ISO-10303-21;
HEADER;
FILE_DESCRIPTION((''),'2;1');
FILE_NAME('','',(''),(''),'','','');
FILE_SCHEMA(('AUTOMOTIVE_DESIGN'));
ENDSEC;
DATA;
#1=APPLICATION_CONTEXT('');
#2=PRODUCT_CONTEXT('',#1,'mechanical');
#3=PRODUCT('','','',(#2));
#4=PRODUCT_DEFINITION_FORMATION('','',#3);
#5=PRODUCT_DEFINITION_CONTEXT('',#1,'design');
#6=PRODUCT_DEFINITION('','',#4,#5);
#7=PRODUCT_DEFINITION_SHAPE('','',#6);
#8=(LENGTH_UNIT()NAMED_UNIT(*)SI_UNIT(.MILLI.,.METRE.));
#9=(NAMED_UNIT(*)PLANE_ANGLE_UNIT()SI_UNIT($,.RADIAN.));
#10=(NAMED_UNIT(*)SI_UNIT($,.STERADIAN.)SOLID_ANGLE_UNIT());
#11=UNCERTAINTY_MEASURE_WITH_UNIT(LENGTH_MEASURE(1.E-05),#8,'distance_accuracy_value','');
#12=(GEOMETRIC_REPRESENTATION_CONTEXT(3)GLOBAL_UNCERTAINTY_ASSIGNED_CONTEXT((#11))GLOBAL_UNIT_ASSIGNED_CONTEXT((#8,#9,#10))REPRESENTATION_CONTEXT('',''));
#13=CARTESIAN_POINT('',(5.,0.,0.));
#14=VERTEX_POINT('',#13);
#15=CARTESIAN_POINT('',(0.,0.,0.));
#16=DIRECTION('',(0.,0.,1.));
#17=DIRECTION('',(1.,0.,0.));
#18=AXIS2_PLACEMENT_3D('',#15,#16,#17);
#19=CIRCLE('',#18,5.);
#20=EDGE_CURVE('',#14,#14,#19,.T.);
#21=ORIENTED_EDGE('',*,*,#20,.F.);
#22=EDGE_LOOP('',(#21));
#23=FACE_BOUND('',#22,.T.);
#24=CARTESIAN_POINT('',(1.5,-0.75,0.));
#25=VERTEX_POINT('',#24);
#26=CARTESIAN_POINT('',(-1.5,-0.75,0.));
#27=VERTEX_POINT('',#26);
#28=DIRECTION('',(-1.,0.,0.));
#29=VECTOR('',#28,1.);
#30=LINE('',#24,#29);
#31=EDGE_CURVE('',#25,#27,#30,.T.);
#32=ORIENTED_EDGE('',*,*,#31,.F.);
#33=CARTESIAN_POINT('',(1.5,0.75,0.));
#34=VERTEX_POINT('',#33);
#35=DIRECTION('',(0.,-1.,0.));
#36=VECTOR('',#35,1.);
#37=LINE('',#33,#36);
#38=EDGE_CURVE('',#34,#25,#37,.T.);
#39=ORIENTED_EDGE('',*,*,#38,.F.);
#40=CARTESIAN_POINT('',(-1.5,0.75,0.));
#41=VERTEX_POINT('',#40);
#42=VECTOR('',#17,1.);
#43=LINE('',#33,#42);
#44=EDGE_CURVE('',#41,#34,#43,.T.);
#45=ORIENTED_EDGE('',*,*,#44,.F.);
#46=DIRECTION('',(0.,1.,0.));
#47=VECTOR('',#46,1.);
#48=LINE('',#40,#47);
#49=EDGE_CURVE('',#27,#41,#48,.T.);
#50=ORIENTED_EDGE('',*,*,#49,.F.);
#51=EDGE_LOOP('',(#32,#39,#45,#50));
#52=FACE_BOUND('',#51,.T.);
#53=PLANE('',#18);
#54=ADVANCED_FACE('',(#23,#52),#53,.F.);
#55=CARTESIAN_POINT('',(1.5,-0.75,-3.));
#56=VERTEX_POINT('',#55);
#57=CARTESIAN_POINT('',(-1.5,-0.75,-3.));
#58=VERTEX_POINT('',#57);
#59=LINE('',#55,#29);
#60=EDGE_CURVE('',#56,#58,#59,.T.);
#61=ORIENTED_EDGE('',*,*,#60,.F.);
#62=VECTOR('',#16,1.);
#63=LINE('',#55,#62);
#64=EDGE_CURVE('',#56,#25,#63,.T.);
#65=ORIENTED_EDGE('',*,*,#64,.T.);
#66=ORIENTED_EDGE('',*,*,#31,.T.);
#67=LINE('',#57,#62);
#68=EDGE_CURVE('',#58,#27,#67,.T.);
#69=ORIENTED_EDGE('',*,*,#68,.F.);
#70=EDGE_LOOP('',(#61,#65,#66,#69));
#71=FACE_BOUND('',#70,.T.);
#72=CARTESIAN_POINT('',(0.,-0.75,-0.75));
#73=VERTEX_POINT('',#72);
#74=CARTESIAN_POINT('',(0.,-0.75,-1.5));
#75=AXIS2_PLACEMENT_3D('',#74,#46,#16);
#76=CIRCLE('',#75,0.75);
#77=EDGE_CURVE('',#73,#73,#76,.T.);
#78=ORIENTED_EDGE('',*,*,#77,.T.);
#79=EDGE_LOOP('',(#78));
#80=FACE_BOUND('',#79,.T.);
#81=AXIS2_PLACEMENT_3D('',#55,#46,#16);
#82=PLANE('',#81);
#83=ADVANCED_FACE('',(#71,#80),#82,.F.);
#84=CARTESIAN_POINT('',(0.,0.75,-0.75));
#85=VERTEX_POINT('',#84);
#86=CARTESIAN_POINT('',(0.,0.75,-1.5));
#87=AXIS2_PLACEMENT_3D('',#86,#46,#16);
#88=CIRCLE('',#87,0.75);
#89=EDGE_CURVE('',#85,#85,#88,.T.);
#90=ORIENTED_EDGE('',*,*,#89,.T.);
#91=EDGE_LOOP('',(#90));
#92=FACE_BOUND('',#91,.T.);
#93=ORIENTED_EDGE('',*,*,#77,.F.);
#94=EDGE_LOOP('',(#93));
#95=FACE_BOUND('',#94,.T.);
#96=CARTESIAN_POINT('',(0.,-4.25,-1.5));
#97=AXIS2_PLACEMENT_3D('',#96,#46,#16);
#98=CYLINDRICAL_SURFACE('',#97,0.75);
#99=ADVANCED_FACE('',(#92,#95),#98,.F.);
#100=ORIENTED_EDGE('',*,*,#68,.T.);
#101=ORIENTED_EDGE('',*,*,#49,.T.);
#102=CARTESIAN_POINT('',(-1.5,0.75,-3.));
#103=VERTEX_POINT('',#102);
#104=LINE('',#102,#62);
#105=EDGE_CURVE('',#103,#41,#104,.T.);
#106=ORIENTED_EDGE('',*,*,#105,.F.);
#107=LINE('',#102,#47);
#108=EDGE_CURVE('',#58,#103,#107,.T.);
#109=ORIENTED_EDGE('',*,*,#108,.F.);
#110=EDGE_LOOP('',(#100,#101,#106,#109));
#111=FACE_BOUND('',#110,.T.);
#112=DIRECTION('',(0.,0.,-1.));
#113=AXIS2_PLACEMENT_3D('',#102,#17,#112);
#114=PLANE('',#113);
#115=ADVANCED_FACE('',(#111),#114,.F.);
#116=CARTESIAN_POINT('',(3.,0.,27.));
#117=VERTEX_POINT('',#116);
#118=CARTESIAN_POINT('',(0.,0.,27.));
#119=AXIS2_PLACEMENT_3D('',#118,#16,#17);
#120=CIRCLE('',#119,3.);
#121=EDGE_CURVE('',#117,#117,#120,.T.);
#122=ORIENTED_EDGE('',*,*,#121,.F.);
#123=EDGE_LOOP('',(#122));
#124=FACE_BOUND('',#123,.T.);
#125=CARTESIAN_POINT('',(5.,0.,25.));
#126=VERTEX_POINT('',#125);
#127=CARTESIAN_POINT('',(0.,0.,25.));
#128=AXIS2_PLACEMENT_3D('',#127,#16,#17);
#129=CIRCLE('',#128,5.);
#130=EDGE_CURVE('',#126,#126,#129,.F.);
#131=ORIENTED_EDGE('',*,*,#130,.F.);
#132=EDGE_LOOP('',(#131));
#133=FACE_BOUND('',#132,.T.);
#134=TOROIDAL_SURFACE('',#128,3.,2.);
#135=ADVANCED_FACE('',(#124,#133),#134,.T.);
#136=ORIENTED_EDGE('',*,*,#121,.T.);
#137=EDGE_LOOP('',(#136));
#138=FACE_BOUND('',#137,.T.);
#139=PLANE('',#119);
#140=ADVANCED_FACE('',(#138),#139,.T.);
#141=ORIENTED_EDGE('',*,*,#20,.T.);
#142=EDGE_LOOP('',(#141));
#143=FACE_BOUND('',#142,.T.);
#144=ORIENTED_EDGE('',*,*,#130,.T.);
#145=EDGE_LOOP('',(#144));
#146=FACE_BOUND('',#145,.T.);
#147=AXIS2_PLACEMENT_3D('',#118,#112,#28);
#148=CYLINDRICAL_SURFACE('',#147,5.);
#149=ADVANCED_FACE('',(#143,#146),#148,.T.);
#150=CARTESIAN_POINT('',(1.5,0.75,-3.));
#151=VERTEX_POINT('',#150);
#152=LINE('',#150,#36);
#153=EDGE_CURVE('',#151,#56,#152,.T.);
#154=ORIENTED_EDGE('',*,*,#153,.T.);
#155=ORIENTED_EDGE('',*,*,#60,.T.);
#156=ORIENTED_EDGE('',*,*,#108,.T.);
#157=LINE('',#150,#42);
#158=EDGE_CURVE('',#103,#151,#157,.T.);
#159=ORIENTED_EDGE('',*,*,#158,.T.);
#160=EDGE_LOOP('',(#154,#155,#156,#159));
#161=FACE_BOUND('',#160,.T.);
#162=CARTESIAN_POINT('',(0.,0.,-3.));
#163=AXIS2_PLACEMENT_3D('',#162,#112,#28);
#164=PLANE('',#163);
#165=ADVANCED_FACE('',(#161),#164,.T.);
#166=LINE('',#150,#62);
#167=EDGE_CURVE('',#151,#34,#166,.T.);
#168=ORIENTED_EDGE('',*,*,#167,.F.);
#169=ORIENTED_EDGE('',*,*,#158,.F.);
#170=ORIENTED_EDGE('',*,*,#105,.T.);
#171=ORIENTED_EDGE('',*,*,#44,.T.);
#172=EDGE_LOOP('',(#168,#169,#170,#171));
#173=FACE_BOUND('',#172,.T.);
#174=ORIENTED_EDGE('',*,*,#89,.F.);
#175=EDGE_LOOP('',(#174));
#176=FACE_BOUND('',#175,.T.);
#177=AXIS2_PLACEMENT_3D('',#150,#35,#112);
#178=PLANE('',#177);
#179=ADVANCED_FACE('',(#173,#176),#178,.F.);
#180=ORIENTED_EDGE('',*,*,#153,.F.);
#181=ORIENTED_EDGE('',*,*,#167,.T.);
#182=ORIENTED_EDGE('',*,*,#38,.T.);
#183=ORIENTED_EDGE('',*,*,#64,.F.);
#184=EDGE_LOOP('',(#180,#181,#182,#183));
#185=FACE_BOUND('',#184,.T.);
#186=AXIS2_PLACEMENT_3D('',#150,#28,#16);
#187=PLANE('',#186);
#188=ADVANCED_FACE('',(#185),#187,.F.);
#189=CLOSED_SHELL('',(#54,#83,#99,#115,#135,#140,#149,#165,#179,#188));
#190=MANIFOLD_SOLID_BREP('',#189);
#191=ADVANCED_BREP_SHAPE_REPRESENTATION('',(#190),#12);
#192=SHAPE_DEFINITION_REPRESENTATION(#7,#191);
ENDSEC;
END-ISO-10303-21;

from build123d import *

# Parameters (mm, degrees)
SKETCH1_R           = 5
BOSS_EXTRUDE1_DEPTH = 27
FILLET1_R           = 2
SKETCH2_W           = 3
SKETCH2_H           = 1.5
BOSS_EXTRUDE2_DEPTH = 3
SKETCH3_R           = 0.75
CUT_EXTRUDE1_DEPTH  = 5


with BuildPart() as part:
    # Sketch1 → Boss-Extrude1 (new body)
    with BuildSketch(Plane.XY):
        Circle(SKETCH1_R)
    extrude(amount=BOSS_EXTRUDE1_DEPTH)

    # Fillet1
    fillet1_edges = [part.edges().sort_by_distance(p)[0] for p in [
        (-5, 0, 27),
    ]]
    fillet(fillet1_edges, radius=FILLET1_R)

    # Sketch2 → Boss-Extrude2 (add)
    with BuildSketch(Plane(origin=(0, 0, 0), x_dir=(-1, 0, 0), z_dir=(0, 0, -1))):
        Rectangle(SKETCH2_W, SKETCH2_H)
    extrude(amount=BOSS_EXTRUDE2_DEPTH)

    # Sketch3 → Cut-Extrude1 (cut)
    with BuildSketch(Plane(origin=(0, 0.75, 0), x_dir=(1, 0, 0), z_dir=(0, 1, 0))):
        with Locations(Location((0, 1.5, 0), (0, 0, 270))):
            Circle(SKETCH3_R)
    extrude(amount=-CUT_EXTRUDE1_DEPTH, mode=Mode.SUBTRACT)


solid = part.part
